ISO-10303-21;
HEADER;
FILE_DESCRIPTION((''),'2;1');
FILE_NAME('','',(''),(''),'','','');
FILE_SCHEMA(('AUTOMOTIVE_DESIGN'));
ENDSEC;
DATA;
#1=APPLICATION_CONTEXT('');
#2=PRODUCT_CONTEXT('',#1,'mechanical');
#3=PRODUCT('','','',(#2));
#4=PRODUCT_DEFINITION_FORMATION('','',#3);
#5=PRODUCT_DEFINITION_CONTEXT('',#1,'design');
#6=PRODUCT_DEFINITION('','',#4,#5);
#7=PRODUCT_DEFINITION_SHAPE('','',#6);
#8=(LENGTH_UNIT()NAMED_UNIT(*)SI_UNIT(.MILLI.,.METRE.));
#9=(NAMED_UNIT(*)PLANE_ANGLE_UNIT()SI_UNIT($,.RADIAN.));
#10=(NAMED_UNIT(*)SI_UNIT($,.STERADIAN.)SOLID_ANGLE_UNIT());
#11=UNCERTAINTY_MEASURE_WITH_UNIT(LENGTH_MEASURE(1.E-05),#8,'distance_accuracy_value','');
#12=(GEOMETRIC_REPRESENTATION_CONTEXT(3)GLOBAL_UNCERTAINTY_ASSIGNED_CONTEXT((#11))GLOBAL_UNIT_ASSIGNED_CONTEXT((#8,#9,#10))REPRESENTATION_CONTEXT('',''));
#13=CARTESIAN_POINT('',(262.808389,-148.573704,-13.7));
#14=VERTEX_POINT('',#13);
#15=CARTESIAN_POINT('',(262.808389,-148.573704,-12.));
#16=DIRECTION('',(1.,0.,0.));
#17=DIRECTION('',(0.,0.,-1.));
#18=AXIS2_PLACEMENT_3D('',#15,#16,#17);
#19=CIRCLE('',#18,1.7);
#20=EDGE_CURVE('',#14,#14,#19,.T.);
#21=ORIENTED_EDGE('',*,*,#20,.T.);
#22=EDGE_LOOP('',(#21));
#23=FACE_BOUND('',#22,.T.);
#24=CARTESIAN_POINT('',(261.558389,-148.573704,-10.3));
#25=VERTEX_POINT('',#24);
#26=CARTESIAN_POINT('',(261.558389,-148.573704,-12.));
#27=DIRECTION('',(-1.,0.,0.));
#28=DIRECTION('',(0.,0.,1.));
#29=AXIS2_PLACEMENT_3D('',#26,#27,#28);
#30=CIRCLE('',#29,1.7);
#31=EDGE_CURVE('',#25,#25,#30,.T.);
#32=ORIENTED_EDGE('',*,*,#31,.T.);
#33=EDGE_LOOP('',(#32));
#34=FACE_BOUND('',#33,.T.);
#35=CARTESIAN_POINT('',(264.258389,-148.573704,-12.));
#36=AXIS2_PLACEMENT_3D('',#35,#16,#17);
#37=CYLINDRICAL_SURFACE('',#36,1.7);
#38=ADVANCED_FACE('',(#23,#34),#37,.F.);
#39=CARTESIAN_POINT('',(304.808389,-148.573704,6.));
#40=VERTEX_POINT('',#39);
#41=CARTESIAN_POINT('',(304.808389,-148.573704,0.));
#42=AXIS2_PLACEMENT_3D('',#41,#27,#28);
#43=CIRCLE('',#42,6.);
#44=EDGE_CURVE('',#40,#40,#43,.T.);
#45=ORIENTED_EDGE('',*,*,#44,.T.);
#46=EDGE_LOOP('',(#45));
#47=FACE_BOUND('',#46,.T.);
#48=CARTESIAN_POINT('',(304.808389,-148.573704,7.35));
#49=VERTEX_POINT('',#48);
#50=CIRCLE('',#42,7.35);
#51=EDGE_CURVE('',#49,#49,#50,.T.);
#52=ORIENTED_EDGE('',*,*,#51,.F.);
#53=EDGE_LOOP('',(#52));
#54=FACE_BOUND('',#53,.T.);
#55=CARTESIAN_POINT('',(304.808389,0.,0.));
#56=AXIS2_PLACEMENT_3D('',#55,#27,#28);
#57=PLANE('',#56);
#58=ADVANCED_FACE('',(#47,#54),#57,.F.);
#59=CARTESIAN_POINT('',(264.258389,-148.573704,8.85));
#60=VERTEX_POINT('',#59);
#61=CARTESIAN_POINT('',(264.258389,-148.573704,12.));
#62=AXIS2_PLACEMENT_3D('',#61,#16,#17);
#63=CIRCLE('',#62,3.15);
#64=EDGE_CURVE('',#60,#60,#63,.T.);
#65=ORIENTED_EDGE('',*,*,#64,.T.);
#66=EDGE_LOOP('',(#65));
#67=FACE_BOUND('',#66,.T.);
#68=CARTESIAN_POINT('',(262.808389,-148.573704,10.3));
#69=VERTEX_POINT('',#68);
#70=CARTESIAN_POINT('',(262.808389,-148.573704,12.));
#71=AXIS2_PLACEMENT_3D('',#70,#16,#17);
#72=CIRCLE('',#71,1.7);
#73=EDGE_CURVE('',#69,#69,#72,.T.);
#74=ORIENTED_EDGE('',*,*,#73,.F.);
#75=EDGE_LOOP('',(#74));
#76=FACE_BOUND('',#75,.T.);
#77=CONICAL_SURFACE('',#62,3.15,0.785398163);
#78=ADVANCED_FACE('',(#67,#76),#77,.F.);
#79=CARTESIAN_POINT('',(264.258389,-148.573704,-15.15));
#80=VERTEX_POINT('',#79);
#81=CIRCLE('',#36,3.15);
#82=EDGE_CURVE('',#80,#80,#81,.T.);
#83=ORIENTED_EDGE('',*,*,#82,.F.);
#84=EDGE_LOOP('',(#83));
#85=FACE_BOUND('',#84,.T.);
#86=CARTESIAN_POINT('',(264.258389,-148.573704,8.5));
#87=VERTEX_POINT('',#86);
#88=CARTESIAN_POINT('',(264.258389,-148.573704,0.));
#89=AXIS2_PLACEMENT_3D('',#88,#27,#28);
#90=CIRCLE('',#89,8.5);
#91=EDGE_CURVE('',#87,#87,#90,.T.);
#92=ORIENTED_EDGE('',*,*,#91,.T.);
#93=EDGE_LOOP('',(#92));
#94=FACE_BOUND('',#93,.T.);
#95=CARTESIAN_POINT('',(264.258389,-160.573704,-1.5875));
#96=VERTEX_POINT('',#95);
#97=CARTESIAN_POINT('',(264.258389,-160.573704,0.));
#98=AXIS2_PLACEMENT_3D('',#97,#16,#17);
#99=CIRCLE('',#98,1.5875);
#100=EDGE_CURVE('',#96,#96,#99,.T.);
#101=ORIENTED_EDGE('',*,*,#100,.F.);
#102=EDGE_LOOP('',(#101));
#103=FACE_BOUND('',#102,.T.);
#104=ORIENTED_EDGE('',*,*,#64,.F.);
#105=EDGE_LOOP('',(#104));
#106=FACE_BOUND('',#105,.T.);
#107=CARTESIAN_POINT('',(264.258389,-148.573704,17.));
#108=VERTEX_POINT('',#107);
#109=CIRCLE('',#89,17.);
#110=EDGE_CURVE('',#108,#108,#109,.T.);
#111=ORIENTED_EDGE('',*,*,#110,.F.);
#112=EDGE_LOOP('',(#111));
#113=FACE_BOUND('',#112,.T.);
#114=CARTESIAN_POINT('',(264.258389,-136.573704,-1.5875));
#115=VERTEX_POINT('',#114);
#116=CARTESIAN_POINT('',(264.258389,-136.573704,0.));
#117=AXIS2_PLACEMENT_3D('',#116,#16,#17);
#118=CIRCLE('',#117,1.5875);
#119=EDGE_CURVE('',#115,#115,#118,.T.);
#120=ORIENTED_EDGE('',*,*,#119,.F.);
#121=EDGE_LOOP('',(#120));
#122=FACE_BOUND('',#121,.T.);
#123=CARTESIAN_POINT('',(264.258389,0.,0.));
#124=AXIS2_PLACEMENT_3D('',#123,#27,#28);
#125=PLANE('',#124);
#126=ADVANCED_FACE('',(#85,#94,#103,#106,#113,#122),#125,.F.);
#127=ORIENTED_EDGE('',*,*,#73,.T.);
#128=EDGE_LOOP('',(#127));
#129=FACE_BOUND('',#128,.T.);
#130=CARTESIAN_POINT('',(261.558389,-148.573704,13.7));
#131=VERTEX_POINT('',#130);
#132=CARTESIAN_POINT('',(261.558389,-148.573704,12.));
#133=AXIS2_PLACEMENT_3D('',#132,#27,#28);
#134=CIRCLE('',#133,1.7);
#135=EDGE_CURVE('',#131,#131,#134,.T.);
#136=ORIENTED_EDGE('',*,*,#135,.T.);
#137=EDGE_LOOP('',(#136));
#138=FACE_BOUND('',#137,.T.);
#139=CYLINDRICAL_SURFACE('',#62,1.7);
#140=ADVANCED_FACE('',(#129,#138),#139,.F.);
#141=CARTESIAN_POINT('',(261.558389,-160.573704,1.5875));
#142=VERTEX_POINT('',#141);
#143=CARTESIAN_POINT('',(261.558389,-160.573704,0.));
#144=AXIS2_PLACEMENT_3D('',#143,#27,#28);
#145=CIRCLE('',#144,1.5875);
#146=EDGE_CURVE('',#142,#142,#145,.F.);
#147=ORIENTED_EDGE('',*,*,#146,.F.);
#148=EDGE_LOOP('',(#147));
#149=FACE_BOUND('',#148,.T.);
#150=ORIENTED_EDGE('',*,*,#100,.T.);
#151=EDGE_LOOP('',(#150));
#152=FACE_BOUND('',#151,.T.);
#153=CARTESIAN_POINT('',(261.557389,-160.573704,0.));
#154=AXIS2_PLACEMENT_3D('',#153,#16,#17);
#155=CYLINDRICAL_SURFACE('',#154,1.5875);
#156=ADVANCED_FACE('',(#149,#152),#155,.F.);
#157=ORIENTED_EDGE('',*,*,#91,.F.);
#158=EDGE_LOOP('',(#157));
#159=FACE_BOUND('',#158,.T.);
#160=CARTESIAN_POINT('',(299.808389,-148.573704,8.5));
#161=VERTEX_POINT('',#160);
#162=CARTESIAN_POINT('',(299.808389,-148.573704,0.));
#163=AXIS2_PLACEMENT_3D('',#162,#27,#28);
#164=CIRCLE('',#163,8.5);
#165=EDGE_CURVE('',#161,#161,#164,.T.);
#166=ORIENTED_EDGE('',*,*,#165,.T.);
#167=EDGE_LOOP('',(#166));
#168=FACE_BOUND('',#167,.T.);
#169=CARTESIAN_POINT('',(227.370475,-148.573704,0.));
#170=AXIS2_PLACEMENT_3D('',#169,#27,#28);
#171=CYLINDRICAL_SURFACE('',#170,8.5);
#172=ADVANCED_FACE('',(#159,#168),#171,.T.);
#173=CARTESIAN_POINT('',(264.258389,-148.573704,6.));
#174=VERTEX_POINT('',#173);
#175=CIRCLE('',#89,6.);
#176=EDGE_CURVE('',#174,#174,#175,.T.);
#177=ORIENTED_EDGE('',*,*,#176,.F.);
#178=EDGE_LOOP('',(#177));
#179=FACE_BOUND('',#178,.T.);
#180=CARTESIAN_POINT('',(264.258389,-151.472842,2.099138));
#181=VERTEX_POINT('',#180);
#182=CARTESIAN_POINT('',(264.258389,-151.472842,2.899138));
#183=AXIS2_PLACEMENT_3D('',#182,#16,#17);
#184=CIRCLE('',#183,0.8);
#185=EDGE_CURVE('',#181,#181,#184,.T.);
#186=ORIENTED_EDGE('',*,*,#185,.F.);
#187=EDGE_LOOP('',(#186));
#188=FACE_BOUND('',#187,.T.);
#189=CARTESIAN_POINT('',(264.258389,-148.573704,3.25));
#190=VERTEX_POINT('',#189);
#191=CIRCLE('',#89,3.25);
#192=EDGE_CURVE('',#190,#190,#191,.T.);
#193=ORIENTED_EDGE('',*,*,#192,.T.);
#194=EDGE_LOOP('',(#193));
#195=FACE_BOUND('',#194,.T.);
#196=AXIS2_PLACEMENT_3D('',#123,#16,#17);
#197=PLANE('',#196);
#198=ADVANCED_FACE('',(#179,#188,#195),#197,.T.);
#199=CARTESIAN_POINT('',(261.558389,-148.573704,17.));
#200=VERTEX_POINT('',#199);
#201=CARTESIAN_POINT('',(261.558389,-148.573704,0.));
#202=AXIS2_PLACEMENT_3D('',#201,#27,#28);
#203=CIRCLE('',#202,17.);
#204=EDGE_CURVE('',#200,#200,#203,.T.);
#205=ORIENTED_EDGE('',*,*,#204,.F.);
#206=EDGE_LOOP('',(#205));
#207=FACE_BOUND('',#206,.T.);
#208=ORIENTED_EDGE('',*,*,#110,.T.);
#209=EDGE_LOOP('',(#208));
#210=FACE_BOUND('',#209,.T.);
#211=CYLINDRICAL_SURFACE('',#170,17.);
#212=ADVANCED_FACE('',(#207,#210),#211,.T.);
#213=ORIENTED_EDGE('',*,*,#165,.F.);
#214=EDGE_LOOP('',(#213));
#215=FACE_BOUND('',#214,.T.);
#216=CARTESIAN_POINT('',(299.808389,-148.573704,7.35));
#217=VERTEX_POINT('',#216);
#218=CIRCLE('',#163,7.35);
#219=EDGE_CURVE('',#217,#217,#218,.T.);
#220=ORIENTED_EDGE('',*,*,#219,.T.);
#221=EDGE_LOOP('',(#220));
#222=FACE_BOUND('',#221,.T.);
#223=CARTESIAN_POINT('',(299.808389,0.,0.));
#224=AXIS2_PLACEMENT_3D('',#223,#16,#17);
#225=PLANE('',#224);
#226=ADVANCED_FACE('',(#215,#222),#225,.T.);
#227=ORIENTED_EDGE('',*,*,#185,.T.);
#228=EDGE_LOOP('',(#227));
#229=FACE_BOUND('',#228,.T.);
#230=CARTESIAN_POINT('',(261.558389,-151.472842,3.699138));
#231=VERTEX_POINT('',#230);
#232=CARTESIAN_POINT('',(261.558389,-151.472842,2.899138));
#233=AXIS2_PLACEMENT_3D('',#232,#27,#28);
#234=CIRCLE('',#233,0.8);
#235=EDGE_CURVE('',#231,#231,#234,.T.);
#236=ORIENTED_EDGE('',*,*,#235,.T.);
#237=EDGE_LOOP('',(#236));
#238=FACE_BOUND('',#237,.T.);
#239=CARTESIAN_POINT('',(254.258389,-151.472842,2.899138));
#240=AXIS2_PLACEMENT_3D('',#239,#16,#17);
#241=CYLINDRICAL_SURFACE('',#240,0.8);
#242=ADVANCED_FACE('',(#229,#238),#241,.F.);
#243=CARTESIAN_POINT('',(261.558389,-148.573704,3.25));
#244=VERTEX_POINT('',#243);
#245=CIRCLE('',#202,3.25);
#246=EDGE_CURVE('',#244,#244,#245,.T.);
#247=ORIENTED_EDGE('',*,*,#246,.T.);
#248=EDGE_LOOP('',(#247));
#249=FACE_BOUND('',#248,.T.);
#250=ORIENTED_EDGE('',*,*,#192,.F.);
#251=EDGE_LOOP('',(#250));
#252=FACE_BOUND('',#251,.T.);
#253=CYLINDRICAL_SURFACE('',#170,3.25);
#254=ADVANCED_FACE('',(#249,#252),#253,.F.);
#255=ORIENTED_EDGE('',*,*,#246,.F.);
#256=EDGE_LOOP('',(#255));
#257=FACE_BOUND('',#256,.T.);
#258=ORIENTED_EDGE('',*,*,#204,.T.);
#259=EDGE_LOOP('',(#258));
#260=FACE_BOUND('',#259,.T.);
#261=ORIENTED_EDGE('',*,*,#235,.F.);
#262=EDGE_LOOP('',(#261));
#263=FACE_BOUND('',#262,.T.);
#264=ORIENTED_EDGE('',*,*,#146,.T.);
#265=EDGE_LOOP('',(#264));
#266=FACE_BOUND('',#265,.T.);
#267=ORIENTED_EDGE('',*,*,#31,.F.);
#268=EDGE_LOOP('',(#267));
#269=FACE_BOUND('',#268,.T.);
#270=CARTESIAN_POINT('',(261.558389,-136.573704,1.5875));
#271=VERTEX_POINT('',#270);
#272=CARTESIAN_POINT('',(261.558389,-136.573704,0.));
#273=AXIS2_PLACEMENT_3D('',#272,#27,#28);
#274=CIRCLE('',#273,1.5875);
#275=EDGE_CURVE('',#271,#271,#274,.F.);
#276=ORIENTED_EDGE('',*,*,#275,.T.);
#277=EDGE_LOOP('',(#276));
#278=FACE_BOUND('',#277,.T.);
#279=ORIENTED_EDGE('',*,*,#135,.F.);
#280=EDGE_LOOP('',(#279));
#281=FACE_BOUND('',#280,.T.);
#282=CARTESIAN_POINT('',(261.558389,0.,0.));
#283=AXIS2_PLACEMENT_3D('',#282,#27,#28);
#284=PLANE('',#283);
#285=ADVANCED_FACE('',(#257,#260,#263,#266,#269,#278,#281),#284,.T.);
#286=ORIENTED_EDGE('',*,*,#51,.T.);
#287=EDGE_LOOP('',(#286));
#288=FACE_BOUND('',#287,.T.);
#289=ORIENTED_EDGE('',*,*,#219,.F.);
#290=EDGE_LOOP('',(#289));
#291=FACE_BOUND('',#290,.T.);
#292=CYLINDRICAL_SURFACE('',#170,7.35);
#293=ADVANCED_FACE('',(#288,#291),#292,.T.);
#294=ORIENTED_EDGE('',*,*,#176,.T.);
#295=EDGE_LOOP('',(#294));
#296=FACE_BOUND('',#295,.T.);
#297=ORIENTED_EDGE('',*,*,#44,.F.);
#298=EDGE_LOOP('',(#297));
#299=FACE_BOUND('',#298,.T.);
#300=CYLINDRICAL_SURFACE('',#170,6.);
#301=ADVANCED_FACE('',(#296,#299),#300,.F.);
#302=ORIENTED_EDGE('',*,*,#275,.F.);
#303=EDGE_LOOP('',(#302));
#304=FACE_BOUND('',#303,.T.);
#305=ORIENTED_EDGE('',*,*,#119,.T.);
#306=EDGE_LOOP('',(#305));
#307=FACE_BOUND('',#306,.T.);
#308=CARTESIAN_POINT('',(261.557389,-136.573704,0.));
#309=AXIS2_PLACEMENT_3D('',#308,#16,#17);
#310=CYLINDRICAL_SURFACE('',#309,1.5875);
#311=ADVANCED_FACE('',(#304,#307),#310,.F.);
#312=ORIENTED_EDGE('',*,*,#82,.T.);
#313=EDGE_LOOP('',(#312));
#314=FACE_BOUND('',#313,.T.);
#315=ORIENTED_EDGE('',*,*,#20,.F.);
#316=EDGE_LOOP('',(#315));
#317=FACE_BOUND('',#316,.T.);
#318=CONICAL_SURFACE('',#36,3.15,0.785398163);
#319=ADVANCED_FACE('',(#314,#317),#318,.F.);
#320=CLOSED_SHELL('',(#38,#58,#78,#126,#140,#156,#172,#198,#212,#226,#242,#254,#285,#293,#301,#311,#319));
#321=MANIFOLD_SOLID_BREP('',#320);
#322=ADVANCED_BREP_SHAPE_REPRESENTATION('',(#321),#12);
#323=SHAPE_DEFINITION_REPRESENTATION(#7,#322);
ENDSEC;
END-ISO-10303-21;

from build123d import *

# Parameters (mm, degrees)
CUT_EXTRUDE1_REACH                                  = 4.7
SKETCH4_R                                           = 1.5875
CSK_FOR_M3_COUNTERSUNK_FLAT_HEAD_SCREW1_D           = 3.4
CSK_FOR_M3_COUNTERSUNK_FLAT_HEAD_SCREW1_DEPTH       = 10
CSK_FOR_M3_COUNTERSUNK_FLAT_HEAD_SCREW1_CSINK_D     = 6.3
CSK_FOR_M3_COUNTERSUNK_FLAT_HEAD_SCREW1_CSINK_ANGLE = 90
CSK_FOR_M3_COUNTERSUNK_FLAT_HEAD_SCREW1_TIP         = 1.021463052
SKETCH14_R                                          = 0.8
CUT_EXTRUDE3_DEPTH                                  = 10


with BuildPart() as part:
    # Sketch3 → Revolve19 (revolve)
    with BuildSketch(Plane.XY):
        Polygon((299.808388758, -140.073704322), (264.258388758, -140.073704322), (264.258388758, -131.573704322), (261.558388758, -131.573704322), (261.558388758, -143.823704322), (261.558388758, -145.323704322), (262.558388758, -145.323704322), (264.258388758, -145.323704322), (264.258388758, -142.573704322), (304.808388758, -142.573704322), (304.808388758, -141.223704322), (299.808388758, -141.223704322), align=None)
    revolve(axis=Axis((227.370475166, -148.573704322, 0), (1, 0, 0)))

    # Sketch4 → Cut-Extrude1 (cut, up to next)
    with BuildSketch(Plane(origin=(264.258388758, 0, 0), x_dir=(0, 0, -1), z_dir=(1, 0, 0)), mode=Mode.PRIVATE) as cut_extrude1_sk1:
        with Locations((0, -136.573704322)):
            Circle(SKETCH4_R)
    cut_extrude1_tool1 = extrude(cut_extrude1_sk1.sketch, amount=-CUT_EXTRUDE1_REACH, mode=Mode.PRIVATE) & part.part
    add(cut_extrude1_tool1.solids().sort_by_distance((264.258389, -136.573704, 0))[0], mode=Mode.SUBTRACT)
    # Sketch4 → Cut-Extrude1 (cut, up to next)
    with BuildSketch(Plane(origin=(264.258388758, 0, 0), x_dir=(0, 0, -1), z_dir=(1, 0, 0)), mode=Mode.PRIVATE) as cut_extrude1_sk2:
        with Locations((0, -160.573704322)):
            Circle(SKETCH4_R)
    cut_extrude1_tool2 = extrude(cut_extrude1_sk2.sketch, amount=-CUT_EXTRUDE1_REACH, mode=Mode.PRIVATE) & part.part
    add(cut_extrude1_tool2.solids().sort_by_distance((264.258389, -160.573704, 0))[0], mode=Mode.SUBTRACT)

    # CSK for M3 Countersunk Flat Head Screw1
    with Locations(Plane(origin=(264.258388758, 0, 0), x_dir=(0, 0, -1), z_dir=(1, 0, 0))):
        with Locations((-12, -148.573704322), (12, -148.573704322)):
            CounterSinkHole(CSK_FOR_M3_COUNTERSUNK_FLAT_HEAD_SCREW1_D / 2, CSK_FOR_M3_COUNTERSUNK_FLAT_HEAD_SCREW1_CSINK_D / 2, depth=CSK_FOR_M3_COUNTERSUNK_FLAT_HEAD_SCREW1_DEPTH, counter_sink_angle=CSK_FOR_M3_COUNTERSUNK_FLAT_HEAD_SCREW1_CSINK_ANGLE)
            with Locations((0, 0, -(CSK_FOR_M3_COUNTERSUNK_FLAT_HEAD_SCREW1_DEPTH + CSK_FOR_M3_COUNTERSUNK_FLAT_HEAD_SCREW1_TIP / 2))):  # 118° drill point
                Cone(0, CSK_FOR_M3_COUNTERSUNK_FLAT_HEAD_SCREW1_D / 2, CSK_FOR_M3_COUNTERSUNK_FLAT_HEAD_SCREW1_TIP, mode=Mode.SUBTRACT)

    # Sketch14 → Cut-Extrude3 (cut)
    with BuildSketch(Plane(origin=(264.258388758, 0, 0), x_dir=(0, 0, -1), z_dir=(1, 0, 0))):
        with Locations((-2.899137803, -151.472842125)):
            Circle(SKETCH14_R)
    extrude(amount=-CUT_EXTRUDE3_DEPTH, mode=Mode.SUBTRACT)


solid = part.part
